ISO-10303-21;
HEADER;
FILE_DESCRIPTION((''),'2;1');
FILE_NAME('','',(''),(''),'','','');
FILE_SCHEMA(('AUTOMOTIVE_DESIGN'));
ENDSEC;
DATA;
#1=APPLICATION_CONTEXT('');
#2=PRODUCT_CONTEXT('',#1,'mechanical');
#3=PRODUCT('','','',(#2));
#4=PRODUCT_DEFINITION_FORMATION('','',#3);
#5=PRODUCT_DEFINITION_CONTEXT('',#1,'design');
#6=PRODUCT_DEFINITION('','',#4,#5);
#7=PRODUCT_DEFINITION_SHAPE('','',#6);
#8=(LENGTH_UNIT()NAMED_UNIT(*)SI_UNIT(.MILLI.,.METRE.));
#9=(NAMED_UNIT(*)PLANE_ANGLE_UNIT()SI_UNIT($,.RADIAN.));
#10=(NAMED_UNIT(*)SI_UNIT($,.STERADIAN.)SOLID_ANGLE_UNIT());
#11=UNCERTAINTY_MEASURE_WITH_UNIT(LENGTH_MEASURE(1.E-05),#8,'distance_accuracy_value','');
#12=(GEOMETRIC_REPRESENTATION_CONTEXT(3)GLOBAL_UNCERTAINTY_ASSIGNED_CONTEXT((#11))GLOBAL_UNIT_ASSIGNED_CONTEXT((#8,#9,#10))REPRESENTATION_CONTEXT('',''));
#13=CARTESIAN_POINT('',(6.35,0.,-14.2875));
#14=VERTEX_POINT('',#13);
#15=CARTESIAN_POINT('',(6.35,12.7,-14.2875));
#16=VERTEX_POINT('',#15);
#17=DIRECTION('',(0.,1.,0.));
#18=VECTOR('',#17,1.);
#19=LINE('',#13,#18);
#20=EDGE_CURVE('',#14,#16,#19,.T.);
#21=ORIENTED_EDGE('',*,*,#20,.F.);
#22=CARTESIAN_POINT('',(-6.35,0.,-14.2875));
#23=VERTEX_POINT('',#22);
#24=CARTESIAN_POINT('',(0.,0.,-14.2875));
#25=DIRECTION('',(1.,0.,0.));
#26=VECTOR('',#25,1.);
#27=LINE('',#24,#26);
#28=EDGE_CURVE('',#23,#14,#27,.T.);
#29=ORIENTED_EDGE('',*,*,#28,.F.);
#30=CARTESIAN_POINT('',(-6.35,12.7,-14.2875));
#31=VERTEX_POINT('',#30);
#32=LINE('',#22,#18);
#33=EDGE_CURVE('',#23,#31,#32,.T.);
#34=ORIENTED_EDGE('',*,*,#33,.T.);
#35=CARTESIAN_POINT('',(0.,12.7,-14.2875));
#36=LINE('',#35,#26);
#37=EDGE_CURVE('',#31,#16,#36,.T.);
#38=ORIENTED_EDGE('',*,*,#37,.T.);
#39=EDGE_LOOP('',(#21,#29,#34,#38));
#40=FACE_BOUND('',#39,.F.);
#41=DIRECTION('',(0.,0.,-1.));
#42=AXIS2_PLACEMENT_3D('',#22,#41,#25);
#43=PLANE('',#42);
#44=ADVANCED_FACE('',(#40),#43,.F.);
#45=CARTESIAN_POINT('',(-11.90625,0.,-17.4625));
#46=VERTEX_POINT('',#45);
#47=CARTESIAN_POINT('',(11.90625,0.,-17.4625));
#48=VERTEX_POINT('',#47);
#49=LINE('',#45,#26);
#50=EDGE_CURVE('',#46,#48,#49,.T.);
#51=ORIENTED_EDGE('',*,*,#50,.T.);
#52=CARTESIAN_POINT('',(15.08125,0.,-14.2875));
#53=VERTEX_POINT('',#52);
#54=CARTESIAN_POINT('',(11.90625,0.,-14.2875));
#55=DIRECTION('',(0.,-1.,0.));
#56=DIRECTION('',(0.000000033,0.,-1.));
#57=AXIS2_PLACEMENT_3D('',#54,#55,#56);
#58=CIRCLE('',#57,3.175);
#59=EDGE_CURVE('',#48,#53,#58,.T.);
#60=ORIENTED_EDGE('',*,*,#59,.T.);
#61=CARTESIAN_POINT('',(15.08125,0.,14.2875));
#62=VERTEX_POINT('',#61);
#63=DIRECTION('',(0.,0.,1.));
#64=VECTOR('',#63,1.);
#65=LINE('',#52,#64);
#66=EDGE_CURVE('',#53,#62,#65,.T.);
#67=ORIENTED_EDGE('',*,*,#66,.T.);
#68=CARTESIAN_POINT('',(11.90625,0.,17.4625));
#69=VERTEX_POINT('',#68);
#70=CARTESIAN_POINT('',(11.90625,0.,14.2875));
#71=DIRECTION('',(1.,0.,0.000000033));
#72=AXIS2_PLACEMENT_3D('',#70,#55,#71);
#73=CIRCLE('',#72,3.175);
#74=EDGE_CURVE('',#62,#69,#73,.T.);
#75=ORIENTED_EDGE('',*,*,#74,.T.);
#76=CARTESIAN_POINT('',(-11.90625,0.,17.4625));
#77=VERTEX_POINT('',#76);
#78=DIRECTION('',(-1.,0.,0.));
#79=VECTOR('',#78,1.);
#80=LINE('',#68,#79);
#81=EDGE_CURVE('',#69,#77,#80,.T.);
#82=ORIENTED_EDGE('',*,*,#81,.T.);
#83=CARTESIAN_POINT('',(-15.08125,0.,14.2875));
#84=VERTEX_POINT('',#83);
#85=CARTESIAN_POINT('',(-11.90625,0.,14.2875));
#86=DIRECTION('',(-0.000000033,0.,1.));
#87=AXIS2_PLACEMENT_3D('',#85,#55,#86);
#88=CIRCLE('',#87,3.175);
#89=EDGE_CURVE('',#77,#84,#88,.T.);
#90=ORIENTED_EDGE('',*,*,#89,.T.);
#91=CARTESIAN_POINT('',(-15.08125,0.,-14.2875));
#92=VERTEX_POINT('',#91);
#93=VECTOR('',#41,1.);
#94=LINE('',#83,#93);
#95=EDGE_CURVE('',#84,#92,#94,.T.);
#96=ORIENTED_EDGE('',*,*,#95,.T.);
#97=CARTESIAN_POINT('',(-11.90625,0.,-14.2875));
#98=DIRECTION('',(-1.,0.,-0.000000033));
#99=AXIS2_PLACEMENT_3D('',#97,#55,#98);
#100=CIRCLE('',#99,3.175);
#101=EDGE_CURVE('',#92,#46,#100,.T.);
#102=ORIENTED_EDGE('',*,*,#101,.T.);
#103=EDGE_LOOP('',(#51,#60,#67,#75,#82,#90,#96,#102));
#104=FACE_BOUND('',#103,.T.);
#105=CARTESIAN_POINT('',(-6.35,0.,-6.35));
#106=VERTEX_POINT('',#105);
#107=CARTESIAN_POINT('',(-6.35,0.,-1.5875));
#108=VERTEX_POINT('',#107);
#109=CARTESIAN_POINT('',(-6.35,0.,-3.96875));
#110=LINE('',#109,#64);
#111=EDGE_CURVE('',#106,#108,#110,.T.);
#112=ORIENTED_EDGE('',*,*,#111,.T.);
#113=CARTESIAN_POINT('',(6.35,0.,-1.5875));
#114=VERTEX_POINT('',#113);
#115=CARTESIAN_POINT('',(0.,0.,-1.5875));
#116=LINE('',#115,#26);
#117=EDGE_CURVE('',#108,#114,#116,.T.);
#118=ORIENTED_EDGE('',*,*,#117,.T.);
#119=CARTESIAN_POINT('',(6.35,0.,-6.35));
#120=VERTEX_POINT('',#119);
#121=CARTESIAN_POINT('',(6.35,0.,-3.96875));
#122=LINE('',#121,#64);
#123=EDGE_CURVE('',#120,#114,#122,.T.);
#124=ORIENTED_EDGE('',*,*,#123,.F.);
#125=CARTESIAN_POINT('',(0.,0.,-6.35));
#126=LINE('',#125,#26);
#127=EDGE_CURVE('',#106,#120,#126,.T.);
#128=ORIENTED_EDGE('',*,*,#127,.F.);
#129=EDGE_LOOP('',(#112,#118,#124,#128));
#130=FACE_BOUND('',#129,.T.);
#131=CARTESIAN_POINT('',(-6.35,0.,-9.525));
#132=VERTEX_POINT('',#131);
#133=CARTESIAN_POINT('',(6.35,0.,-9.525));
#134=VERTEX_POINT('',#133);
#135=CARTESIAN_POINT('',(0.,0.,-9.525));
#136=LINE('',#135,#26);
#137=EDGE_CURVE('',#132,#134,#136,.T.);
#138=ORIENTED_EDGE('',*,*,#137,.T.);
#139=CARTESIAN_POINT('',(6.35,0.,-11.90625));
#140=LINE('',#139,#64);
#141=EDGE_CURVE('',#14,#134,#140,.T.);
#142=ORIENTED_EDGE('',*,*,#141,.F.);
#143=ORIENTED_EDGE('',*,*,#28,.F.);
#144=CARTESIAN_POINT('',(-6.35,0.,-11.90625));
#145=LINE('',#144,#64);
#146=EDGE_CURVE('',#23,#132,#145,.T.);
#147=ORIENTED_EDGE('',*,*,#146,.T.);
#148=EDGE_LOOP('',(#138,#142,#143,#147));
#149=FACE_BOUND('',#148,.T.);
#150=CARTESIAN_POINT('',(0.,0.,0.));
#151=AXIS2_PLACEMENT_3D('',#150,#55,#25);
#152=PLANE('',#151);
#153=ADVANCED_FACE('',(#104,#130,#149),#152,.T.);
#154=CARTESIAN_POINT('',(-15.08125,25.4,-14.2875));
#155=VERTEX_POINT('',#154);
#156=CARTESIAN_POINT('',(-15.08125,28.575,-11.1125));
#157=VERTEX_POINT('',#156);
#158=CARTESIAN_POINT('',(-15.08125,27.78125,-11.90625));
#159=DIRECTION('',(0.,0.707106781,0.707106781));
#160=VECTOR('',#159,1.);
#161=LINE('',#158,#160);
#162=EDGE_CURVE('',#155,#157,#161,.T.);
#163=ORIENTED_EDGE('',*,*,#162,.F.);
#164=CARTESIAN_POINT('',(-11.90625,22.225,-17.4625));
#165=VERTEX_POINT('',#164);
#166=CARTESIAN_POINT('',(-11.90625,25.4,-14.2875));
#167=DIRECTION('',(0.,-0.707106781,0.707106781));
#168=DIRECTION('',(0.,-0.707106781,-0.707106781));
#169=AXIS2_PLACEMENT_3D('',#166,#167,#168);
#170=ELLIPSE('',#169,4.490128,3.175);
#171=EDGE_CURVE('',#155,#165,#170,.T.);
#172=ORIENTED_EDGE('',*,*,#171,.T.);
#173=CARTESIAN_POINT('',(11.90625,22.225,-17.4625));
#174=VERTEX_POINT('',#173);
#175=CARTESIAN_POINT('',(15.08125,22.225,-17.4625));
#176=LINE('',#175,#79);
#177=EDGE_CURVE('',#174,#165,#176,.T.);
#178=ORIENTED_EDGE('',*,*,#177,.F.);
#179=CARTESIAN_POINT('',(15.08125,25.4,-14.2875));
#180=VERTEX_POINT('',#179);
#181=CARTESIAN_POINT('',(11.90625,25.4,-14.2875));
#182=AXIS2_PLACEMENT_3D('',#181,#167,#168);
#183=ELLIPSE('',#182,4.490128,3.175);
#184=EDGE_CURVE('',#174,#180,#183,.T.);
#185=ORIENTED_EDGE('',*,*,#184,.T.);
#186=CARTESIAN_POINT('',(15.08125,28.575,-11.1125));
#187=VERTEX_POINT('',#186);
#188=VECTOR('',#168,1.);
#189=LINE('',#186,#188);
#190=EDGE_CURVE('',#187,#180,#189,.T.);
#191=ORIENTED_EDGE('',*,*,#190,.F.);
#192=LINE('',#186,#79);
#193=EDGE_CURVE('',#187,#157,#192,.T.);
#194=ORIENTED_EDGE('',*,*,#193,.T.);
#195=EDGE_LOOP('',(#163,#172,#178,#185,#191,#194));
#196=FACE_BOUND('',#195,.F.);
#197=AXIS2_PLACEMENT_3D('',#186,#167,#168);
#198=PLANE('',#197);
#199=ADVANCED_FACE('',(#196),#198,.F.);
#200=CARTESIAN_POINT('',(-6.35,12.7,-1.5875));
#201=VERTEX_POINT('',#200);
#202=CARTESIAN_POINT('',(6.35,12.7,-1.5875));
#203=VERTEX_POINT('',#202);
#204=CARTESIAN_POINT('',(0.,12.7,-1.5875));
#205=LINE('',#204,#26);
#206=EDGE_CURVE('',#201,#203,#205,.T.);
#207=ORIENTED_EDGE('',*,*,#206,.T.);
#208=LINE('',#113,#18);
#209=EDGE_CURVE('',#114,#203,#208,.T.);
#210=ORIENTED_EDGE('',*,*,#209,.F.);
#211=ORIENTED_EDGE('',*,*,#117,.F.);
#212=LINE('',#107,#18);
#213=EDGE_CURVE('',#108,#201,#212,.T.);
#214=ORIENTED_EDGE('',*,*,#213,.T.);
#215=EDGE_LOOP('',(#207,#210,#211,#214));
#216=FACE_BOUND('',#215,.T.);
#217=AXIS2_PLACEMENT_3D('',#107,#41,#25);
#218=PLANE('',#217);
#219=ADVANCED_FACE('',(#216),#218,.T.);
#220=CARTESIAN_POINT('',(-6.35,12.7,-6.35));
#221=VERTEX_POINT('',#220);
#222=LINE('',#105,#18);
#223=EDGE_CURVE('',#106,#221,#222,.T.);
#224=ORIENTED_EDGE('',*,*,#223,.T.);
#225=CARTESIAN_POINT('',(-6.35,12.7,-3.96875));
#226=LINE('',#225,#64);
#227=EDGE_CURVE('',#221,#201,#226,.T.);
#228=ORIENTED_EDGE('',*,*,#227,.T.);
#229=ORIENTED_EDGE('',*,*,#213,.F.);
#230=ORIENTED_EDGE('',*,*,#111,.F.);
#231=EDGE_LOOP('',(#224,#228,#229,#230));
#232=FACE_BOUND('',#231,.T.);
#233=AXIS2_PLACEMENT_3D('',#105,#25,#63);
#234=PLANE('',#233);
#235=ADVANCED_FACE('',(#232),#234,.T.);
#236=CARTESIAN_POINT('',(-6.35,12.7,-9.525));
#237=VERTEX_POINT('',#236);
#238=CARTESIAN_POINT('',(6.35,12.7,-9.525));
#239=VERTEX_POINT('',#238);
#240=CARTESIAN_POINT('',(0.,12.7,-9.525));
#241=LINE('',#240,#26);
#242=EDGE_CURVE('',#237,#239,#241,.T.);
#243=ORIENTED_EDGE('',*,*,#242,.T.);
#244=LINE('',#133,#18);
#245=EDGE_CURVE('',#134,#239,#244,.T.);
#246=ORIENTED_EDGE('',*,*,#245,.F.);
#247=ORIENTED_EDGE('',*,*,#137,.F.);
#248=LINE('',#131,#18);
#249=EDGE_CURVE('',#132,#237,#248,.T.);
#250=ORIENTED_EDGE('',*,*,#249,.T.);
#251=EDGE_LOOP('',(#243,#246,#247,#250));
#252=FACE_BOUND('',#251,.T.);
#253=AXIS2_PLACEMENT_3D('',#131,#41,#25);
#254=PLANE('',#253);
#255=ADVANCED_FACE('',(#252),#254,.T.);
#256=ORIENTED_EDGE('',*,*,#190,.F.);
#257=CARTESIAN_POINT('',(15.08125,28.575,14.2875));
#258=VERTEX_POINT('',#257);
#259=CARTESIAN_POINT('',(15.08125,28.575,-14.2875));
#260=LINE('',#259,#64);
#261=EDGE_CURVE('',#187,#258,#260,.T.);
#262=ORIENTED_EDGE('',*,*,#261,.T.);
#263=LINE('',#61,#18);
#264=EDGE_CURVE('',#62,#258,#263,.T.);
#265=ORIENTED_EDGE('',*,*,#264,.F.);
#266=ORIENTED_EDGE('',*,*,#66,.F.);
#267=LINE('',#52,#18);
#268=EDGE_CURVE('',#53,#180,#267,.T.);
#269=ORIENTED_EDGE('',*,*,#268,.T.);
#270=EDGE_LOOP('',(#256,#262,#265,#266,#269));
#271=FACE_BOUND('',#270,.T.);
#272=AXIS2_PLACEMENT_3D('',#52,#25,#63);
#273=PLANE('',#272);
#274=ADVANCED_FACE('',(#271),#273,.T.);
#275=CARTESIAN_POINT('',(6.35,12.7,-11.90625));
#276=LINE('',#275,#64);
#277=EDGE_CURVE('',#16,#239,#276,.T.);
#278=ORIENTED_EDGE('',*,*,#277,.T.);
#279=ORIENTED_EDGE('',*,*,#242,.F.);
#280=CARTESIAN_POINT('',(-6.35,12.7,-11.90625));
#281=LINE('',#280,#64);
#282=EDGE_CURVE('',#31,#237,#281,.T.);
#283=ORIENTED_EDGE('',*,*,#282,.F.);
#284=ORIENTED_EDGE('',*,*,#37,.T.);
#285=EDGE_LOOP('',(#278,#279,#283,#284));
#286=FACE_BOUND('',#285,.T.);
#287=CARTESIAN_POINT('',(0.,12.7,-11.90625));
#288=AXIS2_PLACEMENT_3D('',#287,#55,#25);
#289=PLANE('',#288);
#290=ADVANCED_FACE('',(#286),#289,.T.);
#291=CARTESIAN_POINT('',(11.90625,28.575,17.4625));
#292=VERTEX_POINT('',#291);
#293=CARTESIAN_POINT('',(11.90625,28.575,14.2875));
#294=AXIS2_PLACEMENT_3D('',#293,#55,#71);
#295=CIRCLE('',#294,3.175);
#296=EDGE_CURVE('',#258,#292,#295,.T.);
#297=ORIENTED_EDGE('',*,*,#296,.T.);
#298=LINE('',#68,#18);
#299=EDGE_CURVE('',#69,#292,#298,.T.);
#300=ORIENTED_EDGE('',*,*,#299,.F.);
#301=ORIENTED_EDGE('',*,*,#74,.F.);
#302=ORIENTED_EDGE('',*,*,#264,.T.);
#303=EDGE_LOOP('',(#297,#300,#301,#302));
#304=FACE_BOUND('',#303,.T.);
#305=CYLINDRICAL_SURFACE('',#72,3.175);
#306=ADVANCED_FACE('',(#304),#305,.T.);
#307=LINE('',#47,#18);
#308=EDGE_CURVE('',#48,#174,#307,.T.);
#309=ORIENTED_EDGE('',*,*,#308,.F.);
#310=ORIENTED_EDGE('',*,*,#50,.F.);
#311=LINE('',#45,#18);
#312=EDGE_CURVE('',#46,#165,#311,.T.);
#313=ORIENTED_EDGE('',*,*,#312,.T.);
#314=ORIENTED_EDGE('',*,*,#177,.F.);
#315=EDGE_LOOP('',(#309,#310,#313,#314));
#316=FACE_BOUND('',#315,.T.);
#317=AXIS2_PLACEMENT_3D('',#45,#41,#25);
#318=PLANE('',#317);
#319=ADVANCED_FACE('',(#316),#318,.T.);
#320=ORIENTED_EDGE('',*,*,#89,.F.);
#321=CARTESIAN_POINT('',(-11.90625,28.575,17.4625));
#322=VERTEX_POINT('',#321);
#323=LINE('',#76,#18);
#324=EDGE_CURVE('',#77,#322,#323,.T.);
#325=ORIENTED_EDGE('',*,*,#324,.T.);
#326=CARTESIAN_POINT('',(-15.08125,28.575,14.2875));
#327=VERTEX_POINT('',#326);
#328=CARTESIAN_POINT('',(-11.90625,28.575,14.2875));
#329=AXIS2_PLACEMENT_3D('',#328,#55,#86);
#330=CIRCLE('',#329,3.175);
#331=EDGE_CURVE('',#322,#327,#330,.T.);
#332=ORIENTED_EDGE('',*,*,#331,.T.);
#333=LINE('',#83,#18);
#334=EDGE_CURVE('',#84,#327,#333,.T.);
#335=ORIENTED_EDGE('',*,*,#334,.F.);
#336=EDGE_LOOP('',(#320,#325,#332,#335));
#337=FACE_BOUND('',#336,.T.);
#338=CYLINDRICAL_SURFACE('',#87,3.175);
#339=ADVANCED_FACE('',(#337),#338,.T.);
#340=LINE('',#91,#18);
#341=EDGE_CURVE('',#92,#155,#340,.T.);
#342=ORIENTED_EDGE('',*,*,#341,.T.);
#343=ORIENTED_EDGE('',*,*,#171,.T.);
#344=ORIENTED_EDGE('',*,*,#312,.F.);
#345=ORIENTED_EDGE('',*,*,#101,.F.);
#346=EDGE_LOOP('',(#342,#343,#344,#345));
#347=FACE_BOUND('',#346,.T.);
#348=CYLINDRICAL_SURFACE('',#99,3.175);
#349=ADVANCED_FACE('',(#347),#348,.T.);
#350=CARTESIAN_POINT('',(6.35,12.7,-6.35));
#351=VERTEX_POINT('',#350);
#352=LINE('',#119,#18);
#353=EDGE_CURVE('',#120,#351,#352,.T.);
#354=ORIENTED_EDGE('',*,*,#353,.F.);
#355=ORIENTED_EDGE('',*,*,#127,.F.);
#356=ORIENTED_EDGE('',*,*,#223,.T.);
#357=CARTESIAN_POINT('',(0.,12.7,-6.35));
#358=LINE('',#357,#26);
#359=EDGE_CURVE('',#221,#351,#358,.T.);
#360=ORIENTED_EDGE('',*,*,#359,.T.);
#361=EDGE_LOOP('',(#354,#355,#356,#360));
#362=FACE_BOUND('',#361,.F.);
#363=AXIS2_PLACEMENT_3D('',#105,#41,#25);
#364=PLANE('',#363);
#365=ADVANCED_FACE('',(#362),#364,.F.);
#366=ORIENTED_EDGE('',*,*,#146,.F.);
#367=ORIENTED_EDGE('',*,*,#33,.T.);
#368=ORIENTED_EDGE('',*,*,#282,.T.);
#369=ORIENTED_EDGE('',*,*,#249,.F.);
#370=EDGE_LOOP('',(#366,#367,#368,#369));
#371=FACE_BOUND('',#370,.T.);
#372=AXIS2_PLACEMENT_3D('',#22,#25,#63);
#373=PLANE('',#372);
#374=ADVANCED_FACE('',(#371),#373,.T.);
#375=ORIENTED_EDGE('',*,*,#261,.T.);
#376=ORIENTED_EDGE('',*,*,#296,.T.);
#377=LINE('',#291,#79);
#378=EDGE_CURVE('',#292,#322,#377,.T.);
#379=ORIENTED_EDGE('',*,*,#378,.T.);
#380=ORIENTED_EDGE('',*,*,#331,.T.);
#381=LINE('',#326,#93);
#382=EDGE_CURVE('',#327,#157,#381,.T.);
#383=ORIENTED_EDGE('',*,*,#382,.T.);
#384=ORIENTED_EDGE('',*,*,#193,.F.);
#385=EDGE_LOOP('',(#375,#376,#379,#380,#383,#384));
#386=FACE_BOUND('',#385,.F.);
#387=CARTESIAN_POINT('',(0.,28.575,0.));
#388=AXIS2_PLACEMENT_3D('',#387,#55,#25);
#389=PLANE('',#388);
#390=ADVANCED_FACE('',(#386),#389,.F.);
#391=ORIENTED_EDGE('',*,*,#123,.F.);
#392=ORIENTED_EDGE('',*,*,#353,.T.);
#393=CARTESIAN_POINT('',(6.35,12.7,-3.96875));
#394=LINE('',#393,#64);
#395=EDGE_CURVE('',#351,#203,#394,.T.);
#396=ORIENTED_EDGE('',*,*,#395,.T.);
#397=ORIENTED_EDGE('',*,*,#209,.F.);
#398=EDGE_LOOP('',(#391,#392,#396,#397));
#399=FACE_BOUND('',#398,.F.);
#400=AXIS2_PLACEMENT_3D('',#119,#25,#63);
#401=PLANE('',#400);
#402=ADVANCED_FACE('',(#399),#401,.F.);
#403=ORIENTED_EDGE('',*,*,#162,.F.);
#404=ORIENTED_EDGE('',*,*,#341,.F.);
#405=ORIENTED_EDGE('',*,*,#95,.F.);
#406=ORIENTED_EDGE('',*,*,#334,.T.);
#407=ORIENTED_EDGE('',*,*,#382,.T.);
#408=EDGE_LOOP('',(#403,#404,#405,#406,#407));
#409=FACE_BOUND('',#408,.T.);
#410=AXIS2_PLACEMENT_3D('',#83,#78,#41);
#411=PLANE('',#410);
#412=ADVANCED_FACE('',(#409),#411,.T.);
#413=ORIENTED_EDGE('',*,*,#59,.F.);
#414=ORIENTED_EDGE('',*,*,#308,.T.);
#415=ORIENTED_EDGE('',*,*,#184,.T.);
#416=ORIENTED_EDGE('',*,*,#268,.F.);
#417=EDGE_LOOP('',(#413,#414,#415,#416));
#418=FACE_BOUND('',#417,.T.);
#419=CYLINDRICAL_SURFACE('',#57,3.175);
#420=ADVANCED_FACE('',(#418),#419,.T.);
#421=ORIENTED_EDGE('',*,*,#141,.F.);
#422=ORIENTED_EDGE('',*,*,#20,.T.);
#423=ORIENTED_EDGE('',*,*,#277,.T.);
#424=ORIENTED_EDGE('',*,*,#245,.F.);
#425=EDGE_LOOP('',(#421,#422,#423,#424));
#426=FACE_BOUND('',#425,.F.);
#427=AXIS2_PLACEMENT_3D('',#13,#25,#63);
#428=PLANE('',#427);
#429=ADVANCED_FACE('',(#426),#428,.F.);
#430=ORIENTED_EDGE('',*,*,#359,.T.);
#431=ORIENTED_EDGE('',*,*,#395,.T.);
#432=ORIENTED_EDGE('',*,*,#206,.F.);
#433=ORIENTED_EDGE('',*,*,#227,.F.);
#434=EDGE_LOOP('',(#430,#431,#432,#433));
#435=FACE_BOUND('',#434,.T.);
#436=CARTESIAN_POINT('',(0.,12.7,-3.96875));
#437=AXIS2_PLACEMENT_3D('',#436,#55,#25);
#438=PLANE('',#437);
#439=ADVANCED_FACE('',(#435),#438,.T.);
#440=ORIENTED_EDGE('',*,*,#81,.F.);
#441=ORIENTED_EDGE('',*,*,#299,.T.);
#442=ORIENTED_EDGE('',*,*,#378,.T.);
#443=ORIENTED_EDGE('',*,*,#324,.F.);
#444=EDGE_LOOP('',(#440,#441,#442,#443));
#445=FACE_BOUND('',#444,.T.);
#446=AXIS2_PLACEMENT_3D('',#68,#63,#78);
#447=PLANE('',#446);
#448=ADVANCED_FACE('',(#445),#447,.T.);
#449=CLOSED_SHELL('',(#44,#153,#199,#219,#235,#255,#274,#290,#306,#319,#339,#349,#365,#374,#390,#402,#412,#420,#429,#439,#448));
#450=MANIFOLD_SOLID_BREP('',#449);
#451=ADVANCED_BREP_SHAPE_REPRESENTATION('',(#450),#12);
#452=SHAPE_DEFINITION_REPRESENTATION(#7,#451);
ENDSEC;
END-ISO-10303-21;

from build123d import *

# Parameters (mm, degrees)
F1_DEPTH = 28.575
F3_DEPTH = 30.1635
F6_W     = 12.7
F6_H     = 4.7625
F7_DEPTH = 12.7


with BuildPart() as f1:
    # F0 (on Front) → F1 (new body)
    with BuildSketch(Plane.XZ):
        with BuildLine():
            ThreePointArc((15.08125, 14.2875), (14.151314, 16.532564), (11.90625, 17.4625))
            Line((11.90625, 17.4625), (-11.90625, 17.4625))
            ThreePointArc((-11.90625, 17.4625), (-14.151314, 16.532564), (-15.08125, 14.2875))
            Line((-15.08125, 14.2875), (-15.08125, -14.2875))
            ThreePointArc((-15.08125, -14.2875), (-14.151314, -16.532564), (-11.90625, -17.4625))
            Line((-11.90625, -17.4625), (11.90625, -17.4625))
            ThreePointArc((11.90625, -17.4625), (14.151314, -16.532564), (15.08125, -14.2875))
            Line((15.08125, -14.2875), (15.08125, 14.2875))
        make_face()
    extrude(amount=-F1_DEPTH)

    # F2 (on face) → F3 (cut, through all)
    with BuildSketch(Plane.YZ.offset(15.08125)):
        Polygon((28.575, -17.4625), (28.575, -11.1125), (22.225, -17.4625), align=None)
    extrude(amount=-F3_DEPTH, mode=Mode.SUBTRACT)

    # F6 (on face) → F7 (cut)
    with BuildSketch(Plane.XZ):
        with Locations((0, -11.90625)):
            Rectangle(F6_W, F6_H)
        with Locations((0, -3.96875)):
            Rectangle(F6_W, F6_H)
    extrude(amount=-F7_DEPTH, mode=Mode.SUBTRACT)


solid = f1.part
